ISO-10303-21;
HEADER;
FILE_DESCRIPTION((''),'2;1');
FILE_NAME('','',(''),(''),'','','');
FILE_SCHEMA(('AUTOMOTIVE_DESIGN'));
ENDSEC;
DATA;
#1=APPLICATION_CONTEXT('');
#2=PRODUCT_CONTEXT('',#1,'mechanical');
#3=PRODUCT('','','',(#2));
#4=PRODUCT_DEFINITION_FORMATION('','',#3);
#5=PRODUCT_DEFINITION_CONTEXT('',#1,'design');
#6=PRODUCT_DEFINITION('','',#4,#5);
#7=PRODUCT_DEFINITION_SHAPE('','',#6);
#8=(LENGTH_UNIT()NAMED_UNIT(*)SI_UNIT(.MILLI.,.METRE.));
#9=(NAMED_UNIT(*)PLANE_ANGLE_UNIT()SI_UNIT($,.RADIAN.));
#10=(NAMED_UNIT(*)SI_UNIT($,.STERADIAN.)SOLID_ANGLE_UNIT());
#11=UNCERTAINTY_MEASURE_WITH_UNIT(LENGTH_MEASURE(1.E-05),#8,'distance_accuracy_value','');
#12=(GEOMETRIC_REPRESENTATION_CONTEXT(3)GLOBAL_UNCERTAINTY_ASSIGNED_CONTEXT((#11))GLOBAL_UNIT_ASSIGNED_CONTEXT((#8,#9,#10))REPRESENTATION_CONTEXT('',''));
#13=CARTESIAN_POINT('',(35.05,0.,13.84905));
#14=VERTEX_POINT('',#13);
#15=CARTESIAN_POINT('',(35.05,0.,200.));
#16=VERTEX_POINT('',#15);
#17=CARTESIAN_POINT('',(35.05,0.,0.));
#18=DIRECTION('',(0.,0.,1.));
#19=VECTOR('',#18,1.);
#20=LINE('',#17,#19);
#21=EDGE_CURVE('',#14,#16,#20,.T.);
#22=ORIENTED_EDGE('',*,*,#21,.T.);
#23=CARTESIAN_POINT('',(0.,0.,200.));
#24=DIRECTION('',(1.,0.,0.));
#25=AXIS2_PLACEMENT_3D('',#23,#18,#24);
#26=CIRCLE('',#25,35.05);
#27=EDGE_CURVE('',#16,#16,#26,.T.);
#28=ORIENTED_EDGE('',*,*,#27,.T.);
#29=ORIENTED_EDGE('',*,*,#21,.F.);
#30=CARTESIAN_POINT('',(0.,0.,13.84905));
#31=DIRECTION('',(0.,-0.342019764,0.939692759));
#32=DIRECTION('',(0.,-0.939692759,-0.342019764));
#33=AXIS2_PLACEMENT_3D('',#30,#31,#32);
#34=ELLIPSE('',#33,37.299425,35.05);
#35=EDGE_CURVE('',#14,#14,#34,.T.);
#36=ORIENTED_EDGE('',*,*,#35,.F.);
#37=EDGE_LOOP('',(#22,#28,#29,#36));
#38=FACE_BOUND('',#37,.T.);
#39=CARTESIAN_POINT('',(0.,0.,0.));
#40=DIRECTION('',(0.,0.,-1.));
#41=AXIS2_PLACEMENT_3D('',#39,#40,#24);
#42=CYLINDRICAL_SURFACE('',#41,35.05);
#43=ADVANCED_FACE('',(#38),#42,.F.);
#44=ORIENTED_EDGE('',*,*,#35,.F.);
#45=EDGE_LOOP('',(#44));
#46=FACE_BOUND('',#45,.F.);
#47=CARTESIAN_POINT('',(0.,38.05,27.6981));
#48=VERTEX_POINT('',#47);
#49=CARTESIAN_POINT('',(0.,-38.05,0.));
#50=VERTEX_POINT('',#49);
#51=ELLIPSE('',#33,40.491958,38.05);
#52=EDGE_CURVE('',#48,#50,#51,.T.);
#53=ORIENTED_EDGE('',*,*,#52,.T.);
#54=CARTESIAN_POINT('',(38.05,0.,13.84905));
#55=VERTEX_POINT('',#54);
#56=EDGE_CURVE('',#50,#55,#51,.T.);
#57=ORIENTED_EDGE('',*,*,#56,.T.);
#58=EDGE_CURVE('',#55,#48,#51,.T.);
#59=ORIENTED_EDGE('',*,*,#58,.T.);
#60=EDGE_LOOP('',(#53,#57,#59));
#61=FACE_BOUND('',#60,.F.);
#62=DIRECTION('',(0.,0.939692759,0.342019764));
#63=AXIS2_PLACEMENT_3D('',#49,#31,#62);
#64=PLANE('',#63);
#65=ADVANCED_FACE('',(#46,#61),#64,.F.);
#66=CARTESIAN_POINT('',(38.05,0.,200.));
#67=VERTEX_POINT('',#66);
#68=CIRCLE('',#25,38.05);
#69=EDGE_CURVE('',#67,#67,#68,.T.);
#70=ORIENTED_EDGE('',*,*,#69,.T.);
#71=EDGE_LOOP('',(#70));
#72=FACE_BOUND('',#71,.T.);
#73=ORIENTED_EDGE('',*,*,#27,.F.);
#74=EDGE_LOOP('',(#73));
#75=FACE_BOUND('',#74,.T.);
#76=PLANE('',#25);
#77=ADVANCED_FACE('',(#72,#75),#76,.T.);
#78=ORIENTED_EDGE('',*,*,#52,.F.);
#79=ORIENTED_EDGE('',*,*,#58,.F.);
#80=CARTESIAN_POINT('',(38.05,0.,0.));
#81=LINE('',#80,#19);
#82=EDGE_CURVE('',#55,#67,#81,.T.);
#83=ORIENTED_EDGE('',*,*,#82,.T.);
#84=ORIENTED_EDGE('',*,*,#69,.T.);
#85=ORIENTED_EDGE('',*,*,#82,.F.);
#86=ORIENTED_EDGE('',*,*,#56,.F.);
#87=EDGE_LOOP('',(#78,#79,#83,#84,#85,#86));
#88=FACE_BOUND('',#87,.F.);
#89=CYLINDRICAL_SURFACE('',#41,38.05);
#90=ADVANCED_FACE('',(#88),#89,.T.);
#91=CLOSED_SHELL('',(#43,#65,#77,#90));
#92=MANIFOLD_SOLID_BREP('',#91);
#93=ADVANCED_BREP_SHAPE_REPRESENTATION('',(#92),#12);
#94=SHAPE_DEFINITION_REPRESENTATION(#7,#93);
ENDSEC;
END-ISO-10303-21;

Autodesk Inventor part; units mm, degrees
ref_plane "YZ Plane" through (0, 0, 0) normal (1, 0, 0) x (0, 1, 0)
ref_plane "XZ Plane" through (0, 0, 0) normal (0, 1, 0) x (-1, 0, 0)
ref_plane "XY Plane" through (0, 0, 0) normal (0, 0, 1) x (1, 0, 0)
sketch "Sketch1" plane through (0, 0, 0) normal (0, 0, 1) x (1, 0, 0)
  circle A0 centre (0, 0) radius 38.05
  circle A1 centre (0, 0) radius 35.05
  dimension "d0" = 76.1
  dimension "d1" = 3
extrude "Extrusion1" add sketch "Sketch1" along normal blind 200
sketch "Sketch2" plane through (0, 0, 0) normal (1, 0, 0) x (0, 1, 0)
  line L0 (38.05, 200) -> (-38.05, 200) projected
  line L1 (38.05, 0) -> (-38.05, 0) projected
  line L2 (-38.05, 0) -> (38.05, 27.6981)
  line L3 (38.05, 27.6981) -> (38.05, 0)
  line L4 (38.05, 0) -> (38.05, 200) projected
  point P0 (0, 0)
  dimension "d4" = 20
extrude "Extrusion2" cut sketch "Sketch2" along normal mid plane 300
properties part number "MSC 606 ROCKET TUBE 6"
